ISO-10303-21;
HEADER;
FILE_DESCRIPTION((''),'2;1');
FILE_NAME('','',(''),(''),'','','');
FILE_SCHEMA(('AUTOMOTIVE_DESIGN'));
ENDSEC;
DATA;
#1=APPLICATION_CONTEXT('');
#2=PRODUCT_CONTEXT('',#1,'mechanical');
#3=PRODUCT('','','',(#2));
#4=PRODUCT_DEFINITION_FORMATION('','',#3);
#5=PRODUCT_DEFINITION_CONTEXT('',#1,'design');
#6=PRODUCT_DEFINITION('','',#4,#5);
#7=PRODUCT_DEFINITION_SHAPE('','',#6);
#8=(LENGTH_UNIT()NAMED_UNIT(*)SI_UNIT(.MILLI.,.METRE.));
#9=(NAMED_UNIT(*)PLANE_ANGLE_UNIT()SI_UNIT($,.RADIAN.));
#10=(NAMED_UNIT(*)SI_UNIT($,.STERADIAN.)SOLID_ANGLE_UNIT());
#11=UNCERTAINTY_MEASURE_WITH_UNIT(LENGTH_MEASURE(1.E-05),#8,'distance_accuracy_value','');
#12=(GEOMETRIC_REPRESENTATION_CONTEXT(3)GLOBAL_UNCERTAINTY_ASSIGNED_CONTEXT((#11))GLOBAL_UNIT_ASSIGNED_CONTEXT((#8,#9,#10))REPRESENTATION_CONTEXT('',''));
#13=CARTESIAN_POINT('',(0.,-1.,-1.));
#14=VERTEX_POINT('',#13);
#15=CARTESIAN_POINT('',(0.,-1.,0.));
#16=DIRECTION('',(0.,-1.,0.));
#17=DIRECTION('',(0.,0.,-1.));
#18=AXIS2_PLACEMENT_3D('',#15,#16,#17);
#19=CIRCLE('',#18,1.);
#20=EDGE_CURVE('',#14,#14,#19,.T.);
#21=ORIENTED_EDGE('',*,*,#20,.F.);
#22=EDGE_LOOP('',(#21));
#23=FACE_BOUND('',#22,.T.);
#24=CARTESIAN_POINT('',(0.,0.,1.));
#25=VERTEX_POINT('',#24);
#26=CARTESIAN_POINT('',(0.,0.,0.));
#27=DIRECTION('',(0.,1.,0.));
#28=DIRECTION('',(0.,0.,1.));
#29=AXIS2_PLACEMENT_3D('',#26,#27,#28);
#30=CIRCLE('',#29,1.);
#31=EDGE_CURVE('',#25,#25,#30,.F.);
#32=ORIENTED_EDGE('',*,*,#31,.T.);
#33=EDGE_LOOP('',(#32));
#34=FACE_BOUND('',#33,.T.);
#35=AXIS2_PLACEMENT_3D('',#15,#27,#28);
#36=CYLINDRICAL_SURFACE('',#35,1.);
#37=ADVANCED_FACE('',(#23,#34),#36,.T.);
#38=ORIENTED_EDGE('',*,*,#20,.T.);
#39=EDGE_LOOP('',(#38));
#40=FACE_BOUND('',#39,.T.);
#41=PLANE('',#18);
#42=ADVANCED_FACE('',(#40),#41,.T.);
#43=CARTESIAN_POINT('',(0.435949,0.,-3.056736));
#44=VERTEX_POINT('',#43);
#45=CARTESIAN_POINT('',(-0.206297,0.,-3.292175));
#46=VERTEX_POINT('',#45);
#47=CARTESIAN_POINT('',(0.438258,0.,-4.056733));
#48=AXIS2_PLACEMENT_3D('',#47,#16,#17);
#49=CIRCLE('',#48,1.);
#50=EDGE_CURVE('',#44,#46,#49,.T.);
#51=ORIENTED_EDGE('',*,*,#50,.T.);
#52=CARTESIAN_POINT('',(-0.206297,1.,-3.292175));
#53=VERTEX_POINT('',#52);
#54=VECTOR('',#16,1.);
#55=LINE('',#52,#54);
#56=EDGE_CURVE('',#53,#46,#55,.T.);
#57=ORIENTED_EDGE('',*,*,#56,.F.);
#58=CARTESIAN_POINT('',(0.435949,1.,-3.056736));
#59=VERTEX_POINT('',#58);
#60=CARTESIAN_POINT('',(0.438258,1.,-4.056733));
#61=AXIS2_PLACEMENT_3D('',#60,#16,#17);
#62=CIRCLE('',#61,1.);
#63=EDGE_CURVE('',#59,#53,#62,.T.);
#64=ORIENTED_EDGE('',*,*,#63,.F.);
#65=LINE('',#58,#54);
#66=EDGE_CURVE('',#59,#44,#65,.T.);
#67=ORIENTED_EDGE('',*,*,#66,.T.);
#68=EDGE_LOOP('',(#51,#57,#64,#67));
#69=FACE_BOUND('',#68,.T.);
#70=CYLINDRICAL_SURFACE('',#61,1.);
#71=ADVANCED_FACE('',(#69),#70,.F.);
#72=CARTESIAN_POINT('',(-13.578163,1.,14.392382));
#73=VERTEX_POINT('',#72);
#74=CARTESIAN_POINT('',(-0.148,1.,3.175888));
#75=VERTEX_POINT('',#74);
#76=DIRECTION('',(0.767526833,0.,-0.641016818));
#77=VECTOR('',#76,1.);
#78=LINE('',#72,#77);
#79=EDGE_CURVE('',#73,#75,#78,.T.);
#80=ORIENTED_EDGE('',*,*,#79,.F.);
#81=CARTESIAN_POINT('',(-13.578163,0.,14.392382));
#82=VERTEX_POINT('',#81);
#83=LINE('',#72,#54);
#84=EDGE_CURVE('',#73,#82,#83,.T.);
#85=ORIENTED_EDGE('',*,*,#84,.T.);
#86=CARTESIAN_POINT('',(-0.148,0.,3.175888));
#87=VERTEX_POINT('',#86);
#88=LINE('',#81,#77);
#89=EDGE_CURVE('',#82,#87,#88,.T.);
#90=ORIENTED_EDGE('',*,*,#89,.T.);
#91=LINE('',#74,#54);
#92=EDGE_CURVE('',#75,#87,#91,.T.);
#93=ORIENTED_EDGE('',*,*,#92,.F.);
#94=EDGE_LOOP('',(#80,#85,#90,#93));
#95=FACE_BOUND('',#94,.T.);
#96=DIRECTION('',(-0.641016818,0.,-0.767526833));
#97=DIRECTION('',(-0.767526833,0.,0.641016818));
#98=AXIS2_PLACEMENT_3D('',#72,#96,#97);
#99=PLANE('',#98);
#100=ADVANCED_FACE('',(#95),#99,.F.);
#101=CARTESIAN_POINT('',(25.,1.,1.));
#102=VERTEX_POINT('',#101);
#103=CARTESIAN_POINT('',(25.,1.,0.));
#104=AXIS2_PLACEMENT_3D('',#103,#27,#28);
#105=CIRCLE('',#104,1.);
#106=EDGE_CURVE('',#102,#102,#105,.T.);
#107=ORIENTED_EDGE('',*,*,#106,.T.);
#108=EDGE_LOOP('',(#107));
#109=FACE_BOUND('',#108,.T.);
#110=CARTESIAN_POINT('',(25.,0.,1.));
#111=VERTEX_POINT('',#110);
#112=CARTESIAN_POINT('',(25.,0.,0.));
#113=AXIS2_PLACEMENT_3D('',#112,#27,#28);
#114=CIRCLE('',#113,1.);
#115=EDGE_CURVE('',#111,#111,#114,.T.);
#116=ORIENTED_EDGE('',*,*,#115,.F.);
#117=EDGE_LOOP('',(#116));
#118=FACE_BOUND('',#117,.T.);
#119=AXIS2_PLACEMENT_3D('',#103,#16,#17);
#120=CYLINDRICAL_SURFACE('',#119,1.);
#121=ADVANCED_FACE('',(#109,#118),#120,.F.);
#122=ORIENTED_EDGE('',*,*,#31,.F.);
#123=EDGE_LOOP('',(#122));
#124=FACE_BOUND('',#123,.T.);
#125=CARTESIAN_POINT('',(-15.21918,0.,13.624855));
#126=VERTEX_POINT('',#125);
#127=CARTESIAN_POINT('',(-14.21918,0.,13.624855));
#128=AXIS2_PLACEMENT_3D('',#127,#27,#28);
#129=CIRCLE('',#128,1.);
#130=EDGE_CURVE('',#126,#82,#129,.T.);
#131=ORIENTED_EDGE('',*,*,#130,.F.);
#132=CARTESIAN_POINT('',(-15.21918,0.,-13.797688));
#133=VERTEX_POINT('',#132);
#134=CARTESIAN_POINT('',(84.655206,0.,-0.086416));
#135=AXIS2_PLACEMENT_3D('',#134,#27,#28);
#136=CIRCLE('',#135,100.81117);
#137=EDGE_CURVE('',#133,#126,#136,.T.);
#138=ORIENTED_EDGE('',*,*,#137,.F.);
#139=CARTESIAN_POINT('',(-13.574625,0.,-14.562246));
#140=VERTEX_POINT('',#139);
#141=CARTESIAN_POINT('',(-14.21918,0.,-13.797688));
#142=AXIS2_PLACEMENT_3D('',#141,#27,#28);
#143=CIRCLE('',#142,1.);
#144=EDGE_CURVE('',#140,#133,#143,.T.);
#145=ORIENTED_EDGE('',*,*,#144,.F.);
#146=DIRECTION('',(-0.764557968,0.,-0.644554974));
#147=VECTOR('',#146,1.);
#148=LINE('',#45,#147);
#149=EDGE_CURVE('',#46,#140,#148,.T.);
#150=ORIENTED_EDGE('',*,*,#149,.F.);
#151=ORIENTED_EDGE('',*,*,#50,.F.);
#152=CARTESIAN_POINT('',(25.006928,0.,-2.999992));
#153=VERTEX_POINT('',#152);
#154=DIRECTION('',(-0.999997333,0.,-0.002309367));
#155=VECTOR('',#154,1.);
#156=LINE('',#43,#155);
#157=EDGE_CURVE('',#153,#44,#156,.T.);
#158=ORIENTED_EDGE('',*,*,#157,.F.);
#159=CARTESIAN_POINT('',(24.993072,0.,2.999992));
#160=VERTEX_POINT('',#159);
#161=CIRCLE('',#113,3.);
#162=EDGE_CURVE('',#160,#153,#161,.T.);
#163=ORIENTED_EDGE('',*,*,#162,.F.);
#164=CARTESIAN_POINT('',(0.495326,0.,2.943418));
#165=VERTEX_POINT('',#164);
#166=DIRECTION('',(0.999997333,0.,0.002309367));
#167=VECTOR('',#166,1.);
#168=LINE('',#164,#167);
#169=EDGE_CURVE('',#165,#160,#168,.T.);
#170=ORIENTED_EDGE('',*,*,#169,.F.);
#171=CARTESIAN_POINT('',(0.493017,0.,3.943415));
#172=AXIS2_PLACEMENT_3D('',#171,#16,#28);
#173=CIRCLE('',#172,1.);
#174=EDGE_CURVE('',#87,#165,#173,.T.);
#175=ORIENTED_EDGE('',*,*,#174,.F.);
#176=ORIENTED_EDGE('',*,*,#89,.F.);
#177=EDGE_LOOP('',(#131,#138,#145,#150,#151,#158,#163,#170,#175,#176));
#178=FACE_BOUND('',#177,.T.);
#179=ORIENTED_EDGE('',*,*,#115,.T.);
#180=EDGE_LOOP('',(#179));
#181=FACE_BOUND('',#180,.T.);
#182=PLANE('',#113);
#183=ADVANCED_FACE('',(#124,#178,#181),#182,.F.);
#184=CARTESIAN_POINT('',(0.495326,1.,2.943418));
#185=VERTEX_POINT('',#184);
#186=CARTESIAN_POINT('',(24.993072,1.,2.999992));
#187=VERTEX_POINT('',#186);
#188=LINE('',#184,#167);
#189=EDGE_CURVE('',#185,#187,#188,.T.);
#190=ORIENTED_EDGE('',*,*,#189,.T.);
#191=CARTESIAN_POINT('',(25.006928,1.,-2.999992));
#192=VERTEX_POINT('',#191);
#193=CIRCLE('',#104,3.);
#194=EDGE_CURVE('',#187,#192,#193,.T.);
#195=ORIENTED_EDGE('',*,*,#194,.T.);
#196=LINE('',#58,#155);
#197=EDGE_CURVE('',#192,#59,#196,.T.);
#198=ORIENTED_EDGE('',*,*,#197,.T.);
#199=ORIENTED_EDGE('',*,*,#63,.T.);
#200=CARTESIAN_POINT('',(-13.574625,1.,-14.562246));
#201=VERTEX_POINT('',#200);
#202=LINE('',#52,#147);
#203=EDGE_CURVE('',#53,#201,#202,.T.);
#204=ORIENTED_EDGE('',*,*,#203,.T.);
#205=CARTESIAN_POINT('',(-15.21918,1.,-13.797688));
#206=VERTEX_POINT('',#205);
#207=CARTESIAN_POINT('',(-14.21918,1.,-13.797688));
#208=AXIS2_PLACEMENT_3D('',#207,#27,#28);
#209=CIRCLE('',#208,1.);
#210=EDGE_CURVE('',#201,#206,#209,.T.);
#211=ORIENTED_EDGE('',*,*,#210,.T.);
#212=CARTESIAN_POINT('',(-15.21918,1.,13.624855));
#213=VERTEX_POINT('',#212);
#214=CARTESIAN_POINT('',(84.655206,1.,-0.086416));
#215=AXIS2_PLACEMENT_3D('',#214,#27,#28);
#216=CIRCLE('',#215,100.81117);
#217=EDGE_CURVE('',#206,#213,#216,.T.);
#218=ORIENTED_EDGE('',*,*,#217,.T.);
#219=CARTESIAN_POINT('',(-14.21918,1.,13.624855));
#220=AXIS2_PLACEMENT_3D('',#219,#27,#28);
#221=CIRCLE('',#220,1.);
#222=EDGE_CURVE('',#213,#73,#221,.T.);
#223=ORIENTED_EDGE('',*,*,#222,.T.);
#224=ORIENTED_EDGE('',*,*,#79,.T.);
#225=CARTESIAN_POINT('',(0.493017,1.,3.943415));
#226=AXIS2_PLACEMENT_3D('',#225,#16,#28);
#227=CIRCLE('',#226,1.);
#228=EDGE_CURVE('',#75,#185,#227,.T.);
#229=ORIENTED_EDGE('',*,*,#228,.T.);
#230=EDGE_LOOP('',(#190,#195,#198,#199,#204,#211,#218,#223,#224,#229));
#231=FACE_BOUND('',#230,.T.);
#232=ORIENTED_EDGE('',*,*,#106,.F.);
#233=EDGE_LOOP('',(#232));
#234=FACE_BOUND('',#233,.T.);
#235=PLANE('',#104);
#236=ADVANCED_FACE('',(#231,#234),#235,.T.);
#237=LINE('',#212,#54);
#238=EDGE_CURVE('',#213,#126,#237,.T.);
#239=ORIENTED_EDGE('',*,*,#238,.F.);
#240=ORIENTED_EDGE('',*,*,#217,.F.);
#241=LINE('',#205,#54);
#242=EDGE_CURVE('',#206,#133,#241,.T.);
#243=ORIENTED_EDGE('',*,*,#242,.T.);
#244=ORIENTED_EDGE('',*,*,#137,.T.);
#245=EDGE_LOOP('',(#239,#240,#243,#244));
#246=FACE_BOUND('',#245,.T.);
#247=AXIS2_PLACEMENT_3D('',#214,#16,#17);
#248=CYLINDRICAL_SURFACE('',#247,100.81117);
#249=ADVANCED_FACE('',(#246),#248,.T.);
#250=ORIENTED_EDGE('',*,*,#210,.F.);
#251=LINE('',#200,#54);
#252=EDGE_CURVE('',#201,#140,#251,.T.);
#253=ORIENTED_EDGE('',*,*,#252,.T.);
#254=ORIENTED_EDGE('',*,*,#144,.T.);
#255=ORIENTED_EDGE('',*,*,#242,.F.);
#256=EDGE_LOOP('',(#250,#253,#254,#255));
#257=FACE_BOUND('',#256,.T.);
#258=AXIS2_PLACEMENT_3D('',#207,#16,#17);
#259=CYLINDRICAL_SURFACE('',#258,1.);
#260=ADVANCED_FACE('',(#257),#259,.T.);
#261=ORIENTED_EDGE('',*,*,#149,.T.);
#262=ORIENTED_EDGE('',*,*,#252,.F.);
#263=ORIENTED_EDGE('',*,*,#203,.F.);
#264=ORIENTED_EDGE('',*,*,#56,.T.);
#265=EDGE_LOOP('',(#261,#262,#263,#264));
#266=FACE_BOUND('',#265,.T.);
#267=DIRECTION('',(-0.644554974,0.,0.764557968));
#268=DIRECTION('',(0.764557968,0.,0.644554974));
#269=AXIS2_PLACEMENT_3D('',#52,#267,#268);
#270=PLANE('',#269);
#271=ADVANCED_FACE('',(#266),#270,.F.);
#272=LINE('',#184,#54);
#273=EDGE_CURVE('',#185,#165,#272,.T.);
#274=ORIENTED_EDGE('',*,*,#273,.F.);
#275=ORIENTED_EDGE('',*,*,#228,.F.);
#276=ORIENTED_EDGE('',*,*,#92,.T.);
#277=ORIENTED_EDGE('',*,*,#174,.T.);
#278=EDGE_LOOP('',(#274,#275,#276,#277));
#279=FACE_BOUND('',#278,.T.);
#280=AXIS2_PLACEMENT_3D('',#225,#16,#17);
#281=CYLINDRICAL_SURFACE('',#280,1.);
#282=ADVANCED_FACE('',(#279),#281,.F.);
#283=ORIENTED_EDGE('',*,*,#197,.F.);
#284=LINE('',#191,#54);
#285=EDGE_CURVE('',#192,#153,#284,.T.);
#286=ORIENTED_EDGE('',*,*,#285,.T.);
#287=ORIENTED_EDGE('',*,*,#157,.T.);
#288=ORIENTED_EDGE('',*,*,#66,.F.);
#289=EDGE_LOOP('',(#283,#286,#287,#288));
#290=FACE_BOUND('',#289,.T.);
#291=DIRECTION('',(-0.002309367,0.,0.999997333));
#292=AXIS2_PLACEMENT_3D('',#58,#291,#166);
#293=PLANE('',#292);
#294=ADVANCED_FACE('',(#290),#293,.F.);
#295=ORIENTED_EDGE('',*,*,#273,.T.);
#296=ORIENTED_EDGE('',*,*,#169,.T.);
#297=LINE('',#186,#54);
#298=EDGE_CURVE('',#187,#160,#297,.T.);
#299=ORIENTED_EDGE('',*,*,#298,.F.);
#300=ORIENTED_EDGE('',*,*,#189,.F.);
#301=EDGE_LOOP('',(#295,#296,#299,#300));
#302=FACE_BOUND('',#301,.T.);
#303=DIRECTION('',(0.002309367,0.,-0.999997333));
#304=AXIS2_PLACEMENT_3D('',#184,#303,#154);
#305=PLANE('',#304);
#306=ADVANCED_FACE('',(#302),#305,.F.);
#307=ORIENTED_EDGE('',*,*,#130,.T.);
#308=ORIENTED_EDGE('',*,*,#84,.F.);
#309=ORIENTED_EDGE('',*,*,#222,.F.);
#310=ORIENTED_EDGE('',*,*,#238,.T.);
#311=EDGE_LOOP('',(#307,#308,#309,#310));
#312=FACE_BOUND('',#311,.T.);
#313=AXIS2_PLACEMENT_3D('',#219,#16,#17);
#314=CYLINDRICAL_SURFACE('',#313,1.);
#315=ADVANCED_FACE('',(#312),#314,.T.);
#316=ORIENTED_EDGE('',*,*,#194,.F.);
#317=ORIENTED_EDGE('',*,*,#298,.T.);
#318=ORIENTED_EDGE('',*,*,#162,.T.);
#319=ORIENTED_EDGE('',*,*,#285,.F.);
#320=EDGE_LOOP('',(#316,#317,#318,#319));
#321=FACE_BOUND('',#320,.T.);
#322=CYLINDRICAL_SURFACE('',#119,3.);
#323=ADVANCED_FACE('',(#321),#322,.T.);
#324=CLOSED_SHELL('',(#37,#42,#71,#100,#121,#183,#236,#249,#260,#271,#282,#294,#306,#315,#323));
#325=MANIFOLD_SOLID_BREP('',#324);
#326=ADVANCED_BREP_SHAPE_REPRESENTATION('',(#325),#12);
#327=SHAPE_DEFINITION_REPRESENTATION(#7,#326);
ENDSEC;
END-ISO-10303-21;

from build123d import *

# Parameters (mm, degrees)
SKETCH1_R           = 1
BOSS_EXTRUDE3_DEPTH = 1
SKETCH3_R           = 1
BOSS_EXTRUDE4_DEPTH = 1


with BuildPart() as part:
    # Sketch1 → Boss-Extrude3 (new body)
    with BuildSketch(Plane(origin=(0, 0, 0), x_dir=(1, 0, 0), z_dir=(0, 1, 0))):
        with BuildLine():
            Line((0.435948957, 3.056735566), (25.006928102, 2.999992))
            ThreePointArc((25.006928102, 2.999992), (27.999992, -0.006928102), (24.993071898, -2.999992))
            Line((24.993071898, -2.999992), (0.495326263, -2.943417558))
            ThreePointArc((0.495326263, -2.943417558), (0.15316776, -3.002934926), (-0.147999921, -3.175888058))
            Line((-0.147999921, -3.175888058), (-13.578162843, -14.392382292))
            ThreePointArc((-13.578162843, -14.392382292), (-14.642844141, -14.530674651), (-15.219179661, -13.624855459))
            ThreePointArc((-15.219179661, -13.624855459), (-16.155963413, 0.086416086), (-15.219179661, 13.797687632))
            ThreePointArc((-15.219179661, 13.797687632), (-14.640751142, 14.704482805), (-13.574624688, 14.562245599))
            Line((-13.574624688, 14.562245599), (-0.206296649, 3.292174932))
            ThreePointArc((-0.206296649, 3.292174932), (0.094068998, 3.117832635), (0.435948957, 3.056735566))
        make_face()
        with Locations((25, 0)):
            Circle(SKETCH1_R, mode=Mode.SUBTRACT)
    extrude(amount=BOSS_EXTRUDE3_DEPTH)

    # Sketch3 → Boss-Extrude4 (add)
    with BuildSketch(Plane.XZ):
        Circle(SKETCH3_R)
    extrude(amount=BOSS_EXTRUDE4_DEPTH)


solid = part.part
